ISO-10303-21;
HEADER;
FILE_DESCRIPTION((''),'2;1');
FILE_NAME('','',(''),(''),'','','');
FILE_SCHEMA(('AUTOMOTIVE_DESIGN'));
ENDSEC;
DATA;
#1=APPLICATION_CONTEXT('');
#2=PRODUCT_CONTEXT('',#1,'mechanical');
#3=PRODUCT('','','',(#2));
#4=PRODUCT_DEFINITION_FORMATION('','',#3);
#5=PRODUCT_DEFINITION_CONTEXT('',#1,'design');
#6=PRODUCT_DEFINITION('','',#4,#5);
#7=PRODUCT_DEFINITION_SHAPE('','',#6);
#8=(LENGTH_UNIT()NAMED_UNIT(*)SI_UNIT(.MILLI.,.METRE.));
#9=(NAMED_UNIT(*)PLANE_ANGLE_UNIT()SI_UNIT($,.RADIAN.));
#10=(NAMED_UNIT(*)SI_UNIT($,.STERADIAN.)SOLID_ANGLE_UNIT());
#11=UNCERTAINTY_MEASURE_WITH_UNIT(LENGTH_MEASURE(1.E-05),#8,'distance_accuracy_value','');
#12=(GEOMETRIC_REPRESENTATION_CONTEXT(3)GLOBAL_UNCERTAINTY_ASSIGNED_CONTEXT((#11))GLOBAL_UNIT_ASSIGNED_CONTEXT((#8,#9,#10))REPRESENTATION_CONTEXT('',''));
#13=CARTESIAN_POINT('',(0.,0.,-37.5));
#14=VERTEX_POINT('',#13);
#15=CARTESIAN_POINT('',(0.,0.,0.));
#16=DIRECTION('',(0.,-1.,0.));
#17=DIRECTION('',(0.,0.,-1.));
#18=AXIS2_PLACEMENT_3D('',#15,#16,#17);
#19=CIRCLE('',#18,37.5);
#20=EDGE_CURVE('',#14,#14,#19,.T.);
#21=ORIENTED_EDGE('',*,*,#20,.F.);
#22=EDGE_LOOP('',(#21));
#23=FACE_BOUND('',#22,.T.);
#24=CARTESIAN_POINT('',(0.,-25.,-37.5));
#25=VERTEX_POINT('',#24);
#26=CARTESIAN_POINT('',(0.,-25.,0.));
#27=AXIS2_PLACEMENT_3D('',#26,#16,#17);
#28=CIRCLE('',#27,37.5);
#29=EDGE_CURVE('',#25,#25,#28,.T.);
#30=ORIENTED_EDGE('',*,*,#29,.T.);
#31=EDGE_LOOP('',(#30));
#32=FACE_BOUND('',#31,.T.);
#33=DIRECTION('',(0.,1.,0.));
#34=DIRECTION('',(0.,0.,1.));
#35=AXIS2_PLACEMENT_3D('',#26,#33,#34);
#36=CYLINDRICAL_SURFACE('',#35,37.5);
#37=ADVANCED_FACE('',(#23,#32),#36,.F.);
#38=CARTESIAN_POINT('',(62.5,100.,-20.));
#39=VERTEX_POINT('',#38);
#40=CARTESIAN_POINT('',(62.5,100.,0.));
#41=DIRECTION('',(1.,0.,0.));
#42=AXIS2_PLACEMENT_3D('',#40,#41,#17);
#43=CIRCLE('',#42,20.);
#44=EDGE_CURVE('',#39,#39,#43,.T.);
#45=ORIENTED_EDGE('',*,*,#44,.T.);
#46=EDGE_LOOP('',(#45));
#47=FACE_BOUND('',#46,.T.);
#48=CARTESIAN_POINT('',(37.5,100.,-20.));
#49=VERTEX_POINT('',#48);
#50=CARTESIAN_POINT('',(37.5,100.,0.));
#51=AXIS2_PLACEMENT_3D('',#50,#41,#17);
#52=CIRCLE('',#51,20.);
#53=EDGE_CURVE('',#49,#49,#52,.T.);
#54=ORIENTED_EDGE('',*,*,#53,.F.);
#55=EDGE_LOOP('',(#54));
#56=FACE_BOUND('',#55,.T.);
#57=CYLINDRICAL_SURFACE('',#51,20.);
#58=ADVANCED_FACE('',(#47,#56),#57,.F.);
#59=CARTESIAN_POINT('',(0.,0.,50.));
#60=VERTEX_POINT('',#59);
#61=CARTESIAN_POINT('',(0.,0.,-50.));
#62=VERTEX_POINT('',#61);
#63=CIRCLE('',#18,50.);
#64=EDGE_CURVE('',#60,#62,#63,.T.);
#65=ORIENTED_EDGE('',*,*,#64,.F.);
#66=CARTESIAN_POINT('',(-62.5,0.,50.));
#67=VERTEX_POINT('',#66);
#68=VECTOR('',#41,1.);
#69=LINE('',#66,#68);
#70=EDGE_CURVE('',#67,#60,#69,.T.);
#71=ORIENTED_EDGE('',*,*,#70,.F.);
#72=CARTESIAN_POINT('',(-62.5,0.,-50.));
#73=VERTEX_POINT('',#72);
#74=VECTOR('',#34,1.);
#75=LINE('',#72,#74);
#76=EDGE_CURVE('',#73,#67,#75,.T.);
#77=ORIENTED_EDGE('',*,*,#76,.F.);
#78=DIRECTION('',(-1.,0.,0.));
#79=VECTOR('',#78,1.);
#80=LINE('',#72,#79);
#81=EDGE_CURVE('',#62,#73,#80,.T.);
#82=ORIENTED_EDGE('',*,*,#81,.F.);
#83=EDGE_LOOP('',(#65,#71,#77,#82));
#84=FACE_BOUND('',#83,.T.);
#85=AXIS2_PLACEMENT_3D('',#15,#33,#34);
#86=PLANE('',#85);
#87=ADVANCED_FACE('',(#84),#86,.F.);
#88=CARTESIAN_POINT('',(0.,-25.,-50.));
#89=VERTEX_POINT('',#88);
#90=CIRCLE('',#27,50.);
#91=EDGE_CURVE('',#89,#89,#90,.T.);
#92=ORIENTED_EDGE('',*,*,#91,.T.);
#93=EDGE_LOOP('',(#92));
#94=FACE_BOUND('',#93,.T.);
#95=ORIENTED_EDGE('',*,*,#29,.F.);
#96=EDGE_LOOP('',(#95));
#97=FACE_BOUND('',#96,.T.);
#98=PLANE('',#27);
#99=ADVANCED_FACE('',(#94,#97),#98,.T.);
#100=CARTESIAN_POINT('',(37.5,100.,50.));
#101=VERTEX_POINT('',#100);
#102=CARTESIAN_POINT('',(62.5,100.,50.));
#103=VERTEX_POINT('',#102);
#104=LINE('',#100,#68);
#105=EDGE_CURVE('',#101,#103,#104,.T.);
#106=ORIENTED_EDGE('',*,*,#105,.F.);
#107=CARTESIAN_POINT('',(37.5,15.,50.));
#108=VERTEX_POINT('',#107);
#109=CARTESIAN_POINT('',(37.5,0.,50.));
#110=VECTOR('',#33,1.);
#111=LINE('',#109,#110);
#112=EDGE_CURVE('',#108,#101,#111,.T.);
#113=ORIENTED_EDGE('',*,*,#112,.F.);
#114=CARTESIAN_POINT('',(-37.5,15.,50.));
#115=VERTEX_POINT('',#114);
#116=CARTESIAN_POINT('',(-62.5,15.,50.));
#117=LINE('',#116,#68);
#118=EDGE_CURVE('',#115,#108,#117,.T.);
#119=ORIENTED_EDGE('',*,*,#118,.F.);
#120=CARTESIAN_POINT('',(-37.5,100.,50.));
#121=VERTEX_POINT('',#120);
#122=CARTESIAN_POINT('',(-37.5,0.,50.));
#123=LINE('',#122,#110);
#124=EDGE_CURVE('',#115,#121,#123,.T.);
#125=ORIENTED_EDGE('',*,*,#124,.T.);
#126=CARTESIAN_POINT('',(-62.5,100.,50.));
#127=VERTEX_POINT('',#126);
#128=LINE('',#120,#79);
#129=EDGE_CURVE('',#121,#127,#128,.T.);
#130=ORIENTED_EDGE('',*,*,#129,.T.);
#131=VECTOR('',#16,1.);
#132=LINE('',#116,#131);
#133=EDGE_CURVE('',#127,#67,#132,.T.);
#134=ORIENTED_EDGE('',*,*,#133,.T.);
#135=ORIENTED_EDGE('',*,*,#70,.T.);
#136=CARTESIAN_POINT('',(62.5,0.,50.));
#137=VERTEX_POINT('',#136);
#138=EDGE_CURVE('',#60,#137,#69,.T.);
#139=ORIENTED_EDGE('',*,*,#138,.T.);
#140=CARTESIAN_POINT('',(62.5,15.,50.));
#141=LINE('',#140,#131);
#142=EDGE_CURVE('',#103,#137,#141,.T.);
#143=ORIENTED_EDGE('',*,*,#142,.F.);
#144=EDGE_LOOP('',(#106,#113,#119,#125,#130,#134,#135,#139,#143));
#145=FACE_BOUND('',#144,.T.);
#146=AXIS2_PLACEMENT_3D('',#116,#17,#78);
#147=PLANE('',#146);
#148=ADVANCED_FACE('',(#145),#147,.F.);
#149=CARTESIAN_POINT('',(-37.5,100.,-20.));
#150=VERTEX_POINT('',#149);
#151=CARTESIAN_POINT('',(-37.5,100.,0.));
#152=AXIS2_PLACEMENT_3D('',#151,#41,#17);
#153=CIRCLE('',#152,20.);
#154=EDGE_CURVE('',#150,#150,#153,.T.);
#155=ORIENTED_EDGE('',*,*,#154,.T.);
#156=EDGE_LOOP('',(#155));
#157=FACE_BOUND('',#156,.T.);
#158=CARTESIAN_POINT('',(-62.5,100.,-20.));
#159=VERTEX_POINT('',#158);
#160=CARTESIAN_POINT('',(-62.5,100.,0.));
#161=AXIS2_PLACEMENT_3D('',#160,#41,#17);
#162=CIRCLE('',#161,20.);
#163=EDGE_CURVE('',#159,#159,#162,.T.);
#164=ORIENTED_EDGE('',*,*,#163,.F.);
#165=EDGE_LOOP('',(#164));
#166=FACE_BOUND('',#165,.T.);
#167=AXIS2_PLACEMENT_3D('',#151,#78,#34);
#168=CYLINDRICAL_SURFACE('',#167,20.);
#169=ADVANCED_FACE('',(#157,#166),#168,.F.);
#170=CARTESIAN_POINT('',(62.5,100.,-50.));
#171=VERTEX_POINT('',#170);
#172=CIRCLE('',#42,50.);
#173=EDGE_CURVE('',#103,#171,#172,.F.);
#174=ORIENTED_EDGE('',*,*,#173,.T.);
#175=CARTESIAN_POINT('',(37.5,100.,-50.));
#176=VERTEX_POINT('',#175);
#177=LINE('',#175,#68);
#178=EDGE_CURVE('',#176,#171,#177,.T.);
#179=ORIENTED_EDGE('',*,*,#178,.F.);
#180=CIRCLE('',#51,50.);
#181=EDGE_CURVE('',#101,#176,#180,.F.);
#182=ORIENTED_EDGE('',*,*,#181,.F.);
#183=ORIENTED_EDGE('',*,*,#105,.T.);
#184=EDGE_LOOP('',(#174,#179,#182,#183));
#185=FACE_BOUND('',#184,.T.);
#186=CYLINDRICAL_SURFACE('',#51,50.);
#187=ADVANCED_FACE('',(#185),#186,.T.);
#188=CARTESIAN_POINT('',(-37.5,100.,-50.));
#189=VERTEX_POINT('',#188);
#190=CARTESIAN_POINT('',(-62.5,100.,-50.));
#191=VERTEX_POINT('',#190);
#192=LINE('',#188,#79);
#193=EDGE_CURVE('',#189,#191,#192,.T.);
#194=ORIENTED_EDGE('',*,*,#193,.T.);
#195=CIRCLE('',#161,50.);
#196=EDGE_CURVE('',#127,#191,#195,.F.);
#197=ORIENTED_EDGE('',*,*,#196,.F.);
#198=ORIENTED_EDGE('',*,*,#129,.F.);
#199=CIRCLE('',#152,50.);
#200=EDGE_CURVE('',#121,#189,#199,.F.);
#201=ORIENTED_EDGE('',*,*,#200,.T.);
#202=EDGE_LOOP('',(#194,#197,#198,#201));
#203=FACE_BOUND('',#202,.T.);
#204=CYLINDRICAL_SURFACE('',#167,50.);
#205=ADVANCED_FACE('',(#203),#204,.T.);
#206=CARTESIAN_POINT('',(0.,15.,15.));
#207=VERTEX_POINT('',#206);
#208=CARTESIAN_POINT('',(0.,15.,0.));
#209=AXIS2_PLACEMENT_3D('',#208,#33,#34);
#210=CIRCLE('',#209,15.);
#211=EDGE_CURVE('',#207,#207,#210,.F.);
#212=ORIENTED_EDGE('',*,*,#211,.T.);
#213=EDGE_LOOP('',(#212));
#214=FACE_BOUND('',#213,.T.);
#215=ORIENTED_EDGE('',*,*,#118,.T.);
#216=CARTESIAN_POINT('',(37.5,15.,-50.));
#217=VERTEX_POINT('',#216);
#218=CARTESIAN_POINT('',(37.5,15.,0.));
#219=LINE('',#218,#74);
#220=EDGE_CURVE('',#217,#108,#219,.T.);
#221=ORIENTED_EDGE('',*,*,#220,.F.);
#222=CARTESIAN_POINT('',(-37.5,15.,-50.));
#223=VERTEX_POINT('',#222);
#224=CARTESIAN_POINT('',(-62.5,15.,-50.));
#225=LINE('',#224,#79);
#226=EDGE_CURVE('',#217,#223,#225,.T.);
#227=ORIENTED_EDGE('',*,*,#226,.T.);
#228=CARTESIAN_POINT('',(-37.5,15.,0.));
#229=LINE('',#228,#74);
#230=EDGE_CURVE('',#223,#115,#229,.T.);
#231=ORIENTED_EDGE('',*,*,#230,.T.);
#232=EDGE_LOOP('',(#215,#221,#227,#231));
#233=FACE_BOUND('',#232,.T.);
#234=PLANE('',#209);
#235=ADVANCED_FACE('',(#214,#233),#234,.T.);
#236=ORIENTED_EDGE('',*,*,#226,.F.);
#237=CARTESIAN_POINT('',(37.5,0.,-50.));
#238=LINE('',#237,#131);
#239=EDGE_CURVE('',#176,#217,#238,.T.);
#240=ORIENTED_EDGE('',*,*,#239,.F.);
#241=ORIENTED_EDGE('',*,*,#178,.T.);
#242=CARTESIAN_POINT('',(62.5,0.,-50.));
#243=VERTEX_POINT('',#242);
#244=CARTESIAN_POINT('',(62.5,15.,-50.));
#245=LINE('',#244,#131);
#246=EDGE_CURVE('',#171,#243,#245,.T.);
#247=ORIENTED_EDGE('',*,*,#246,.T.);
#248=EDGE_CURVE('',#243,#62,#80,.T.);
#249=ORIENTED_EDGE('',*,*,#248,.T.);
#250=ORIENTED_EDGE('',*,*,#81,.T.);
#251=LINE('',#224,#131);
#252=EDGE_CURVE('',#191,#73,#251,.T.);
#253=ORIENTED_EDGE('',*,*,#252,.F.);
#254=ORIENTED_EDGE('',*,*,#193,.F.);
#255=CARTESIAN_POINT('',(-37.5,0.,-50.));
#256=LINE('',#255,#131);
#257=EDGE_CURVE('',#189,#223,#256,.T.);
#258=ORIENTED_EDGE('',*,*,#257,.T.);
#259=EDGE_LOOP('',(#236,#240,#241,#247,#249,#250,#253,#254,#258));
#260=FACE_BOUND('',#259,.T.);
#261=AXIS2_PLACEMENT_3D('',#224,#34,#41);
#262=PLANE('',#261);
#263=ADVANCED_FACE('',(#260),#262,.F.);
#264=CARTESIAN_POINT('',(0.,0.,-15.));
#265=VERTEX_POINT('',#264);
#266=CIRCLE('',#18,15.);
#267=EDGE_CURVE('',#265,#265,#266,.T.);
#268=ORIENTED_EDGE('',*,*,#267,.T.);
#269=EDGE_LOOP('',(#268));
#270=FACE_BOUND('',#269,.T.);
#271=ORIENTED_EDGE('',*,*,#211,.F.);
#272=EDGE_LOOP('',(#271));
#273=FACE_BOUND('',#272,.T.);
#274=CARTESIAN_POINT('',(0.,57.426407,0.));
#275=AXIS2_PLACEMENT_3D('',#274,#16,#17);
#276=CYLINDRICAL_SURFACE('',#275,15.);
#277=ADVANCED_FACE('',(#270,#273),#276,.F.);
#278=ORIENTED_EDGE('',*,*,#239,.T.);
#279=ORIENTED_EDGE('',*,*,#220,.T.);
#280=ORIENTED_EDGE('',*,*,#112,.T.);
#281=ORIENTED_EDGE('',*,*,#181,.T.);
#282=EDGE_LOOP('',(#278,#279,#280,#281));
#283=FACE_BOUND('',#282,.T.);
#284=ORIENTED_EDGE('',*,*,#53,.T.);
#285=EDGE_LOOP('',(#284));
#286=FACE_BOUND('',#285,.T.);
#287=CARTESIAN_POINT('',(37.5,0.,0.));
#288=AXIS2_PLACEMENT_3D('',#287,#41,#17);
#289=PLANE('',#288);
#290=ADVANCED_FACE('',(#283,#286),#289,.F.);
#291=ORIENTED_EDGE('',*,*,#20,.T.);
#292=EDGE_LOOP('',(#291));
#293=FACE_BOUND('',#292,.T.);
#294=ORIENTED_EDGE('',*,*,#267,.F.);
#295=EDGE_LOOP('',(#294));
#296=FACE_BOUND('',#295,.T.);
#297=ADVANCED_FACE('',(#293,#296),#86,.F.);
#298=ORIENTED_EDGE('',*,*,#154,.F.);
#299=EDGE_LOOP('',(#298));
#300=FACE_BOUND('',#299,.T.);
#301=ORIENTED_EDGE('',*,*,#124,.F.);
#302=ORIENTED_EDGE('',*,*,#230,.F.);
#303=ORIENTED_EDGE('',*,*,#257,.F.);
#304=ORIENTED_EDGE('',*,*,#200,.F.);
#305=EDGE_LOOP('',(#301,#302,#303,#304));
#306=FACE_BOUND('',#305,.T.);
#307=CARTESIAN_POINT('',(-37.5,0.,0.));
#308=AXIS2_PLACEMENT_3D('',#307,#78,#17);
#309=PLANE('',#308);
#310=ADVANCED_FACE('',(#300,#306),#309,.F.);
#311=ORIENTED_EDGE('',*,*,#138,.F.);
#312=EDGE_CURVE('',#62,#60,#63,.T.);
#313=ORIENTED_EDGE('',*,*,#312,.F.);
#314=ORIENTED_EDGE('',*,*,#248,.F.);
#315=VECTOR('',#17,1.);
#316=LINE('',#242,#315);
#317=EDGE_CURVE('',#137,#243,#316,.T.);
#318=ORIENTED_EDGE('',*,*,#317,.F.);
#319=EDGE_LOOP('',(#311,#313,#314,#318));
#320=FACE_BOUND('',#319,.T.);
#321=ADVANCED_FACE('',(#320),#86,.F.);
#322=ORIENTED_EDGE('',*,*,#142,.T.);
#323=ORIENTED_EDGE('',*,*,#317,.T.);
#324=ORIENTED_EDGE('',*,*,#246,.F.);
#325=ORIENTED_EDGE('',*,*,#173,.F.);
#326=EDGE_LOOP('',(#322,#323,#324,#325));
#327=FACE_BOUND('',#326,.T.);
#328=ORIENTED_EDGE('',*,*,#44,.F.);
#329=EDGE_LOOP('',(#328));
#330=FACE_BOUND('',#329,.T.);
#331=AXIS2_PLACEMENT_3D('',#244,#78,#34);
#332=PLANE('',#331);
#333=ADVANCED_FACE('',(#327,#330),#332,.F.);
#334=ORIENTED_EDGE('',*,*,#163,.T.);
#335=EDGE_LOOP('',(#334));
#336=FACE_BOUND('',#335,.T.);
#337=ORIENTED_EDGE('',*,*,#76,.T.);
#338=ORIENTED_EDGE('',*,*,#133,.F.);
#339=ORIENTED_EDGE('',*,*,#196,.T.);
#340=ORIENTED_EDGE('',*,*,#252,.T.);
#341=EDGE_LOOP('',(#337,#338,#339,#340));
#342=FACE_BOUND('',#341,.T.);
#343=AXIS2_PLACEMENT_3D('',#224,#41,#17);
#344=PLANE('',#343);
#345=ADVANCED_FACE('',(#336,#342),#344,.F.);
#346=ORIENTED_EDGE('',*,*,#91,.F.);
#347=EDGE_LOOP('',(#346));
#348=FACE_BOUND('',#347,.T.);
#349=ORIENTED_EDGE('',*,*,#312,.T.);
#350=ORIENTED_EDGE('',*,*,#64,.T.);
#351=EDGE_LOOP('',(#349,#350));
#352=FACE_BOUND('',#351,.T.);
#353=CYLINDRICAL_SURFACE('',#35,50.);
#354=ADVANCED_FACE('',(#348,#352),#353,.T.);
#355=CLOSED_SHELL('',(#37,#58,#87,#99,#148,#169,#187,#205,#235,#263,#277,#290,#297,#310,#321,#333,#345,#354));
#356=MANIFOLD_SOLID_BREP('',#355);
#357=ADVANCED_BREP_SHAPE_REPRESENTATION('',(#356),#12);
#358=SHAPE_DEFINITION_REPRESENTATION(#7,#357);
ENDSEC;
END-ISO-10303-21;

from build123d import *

# Parameters (mm, degrees)
SKETCH1_W           = 125
SKETCH1_H           = 100
BOSS_EXTRUDE1_DEPTH = 15
SKETCH2_R           = 50
SKETCH2_R_2         = 37.5
BOSS_EXTRUDE2_DEPTH = 25
SKETCH5_R           = 20
BOSS_EXTRUDE3_DEPTH = 25
SKETCH6_R           = 15
CUT_EXTRUDE2_DEPTH  = 15


with BuildPart() as part:
    # Sketch1 → Boss-Extrude1 (new body)
    with BuildSketch(Plane(origin=(0, 0, 0), x_dir=(1, 0, 0), z_dir=(0, 1, 0))):
        Rectangle(SKETCH1_W, SKETCH1_H)
    boss_extrude1 = extrude(amount=BOSS_EXTRUDE1_DEPTH)

    # Sketch2 → Boss-Extrude2 (add)
    with BuildSketch(Plane.XZ):
        Circle(SKETCH2_R)
        Circle(SKETCH2_R_2, mode=Mode.SUBTRACT)
    extrude(amount=BOSS_EXTRUDE2_DEPTH)

    # Sketch5 → Boss-Extrude3 (add)
    with BuildSketch(Plane(origin=(62.5, 0, 0), x_dir=(0, 0, -1), z_dir=(1, 0, 0))):
        with BuildLine():
            ThreePointArc((-50, 100), (0, 150), (50, 100))
            Line((50, 100), (50, 15))
            Line((50, 15), (-50, 15))
            Line((-50, 15), (-50, 100))
        make_face()
        with Locations((0, 100)):
            Circle(SKETCH5_R, mode=Mode.SUBTRACT)
    boss_extrude3 = extrude(amount=-BOSS_EXTRUDE3_DEPTH)

    # Mirror1: Boss-Extrude1, Boss-Extrude3 across plane
    add(boss_extrude1.mirror(Plane(origin=(0, 0, 0), x_dir=(0, 0, 1), z_dir=(1, 0, 0))))
    add(boss_extrude3.mirror(Plane(origin=(0, 0, 0), x_dir=(0, 0, 1), z_dir=(1, 0, 0))))

    # Sketch6 → Cut-Extrude2 (cut)
    with BuildSketch(Plane.XZ):
        Circle(SKETCH6_R)
    extrude(amount=-CUT_EXTRUDE2_DEPTH, mode=Mode.SUBTRACT)


solid = part.part
